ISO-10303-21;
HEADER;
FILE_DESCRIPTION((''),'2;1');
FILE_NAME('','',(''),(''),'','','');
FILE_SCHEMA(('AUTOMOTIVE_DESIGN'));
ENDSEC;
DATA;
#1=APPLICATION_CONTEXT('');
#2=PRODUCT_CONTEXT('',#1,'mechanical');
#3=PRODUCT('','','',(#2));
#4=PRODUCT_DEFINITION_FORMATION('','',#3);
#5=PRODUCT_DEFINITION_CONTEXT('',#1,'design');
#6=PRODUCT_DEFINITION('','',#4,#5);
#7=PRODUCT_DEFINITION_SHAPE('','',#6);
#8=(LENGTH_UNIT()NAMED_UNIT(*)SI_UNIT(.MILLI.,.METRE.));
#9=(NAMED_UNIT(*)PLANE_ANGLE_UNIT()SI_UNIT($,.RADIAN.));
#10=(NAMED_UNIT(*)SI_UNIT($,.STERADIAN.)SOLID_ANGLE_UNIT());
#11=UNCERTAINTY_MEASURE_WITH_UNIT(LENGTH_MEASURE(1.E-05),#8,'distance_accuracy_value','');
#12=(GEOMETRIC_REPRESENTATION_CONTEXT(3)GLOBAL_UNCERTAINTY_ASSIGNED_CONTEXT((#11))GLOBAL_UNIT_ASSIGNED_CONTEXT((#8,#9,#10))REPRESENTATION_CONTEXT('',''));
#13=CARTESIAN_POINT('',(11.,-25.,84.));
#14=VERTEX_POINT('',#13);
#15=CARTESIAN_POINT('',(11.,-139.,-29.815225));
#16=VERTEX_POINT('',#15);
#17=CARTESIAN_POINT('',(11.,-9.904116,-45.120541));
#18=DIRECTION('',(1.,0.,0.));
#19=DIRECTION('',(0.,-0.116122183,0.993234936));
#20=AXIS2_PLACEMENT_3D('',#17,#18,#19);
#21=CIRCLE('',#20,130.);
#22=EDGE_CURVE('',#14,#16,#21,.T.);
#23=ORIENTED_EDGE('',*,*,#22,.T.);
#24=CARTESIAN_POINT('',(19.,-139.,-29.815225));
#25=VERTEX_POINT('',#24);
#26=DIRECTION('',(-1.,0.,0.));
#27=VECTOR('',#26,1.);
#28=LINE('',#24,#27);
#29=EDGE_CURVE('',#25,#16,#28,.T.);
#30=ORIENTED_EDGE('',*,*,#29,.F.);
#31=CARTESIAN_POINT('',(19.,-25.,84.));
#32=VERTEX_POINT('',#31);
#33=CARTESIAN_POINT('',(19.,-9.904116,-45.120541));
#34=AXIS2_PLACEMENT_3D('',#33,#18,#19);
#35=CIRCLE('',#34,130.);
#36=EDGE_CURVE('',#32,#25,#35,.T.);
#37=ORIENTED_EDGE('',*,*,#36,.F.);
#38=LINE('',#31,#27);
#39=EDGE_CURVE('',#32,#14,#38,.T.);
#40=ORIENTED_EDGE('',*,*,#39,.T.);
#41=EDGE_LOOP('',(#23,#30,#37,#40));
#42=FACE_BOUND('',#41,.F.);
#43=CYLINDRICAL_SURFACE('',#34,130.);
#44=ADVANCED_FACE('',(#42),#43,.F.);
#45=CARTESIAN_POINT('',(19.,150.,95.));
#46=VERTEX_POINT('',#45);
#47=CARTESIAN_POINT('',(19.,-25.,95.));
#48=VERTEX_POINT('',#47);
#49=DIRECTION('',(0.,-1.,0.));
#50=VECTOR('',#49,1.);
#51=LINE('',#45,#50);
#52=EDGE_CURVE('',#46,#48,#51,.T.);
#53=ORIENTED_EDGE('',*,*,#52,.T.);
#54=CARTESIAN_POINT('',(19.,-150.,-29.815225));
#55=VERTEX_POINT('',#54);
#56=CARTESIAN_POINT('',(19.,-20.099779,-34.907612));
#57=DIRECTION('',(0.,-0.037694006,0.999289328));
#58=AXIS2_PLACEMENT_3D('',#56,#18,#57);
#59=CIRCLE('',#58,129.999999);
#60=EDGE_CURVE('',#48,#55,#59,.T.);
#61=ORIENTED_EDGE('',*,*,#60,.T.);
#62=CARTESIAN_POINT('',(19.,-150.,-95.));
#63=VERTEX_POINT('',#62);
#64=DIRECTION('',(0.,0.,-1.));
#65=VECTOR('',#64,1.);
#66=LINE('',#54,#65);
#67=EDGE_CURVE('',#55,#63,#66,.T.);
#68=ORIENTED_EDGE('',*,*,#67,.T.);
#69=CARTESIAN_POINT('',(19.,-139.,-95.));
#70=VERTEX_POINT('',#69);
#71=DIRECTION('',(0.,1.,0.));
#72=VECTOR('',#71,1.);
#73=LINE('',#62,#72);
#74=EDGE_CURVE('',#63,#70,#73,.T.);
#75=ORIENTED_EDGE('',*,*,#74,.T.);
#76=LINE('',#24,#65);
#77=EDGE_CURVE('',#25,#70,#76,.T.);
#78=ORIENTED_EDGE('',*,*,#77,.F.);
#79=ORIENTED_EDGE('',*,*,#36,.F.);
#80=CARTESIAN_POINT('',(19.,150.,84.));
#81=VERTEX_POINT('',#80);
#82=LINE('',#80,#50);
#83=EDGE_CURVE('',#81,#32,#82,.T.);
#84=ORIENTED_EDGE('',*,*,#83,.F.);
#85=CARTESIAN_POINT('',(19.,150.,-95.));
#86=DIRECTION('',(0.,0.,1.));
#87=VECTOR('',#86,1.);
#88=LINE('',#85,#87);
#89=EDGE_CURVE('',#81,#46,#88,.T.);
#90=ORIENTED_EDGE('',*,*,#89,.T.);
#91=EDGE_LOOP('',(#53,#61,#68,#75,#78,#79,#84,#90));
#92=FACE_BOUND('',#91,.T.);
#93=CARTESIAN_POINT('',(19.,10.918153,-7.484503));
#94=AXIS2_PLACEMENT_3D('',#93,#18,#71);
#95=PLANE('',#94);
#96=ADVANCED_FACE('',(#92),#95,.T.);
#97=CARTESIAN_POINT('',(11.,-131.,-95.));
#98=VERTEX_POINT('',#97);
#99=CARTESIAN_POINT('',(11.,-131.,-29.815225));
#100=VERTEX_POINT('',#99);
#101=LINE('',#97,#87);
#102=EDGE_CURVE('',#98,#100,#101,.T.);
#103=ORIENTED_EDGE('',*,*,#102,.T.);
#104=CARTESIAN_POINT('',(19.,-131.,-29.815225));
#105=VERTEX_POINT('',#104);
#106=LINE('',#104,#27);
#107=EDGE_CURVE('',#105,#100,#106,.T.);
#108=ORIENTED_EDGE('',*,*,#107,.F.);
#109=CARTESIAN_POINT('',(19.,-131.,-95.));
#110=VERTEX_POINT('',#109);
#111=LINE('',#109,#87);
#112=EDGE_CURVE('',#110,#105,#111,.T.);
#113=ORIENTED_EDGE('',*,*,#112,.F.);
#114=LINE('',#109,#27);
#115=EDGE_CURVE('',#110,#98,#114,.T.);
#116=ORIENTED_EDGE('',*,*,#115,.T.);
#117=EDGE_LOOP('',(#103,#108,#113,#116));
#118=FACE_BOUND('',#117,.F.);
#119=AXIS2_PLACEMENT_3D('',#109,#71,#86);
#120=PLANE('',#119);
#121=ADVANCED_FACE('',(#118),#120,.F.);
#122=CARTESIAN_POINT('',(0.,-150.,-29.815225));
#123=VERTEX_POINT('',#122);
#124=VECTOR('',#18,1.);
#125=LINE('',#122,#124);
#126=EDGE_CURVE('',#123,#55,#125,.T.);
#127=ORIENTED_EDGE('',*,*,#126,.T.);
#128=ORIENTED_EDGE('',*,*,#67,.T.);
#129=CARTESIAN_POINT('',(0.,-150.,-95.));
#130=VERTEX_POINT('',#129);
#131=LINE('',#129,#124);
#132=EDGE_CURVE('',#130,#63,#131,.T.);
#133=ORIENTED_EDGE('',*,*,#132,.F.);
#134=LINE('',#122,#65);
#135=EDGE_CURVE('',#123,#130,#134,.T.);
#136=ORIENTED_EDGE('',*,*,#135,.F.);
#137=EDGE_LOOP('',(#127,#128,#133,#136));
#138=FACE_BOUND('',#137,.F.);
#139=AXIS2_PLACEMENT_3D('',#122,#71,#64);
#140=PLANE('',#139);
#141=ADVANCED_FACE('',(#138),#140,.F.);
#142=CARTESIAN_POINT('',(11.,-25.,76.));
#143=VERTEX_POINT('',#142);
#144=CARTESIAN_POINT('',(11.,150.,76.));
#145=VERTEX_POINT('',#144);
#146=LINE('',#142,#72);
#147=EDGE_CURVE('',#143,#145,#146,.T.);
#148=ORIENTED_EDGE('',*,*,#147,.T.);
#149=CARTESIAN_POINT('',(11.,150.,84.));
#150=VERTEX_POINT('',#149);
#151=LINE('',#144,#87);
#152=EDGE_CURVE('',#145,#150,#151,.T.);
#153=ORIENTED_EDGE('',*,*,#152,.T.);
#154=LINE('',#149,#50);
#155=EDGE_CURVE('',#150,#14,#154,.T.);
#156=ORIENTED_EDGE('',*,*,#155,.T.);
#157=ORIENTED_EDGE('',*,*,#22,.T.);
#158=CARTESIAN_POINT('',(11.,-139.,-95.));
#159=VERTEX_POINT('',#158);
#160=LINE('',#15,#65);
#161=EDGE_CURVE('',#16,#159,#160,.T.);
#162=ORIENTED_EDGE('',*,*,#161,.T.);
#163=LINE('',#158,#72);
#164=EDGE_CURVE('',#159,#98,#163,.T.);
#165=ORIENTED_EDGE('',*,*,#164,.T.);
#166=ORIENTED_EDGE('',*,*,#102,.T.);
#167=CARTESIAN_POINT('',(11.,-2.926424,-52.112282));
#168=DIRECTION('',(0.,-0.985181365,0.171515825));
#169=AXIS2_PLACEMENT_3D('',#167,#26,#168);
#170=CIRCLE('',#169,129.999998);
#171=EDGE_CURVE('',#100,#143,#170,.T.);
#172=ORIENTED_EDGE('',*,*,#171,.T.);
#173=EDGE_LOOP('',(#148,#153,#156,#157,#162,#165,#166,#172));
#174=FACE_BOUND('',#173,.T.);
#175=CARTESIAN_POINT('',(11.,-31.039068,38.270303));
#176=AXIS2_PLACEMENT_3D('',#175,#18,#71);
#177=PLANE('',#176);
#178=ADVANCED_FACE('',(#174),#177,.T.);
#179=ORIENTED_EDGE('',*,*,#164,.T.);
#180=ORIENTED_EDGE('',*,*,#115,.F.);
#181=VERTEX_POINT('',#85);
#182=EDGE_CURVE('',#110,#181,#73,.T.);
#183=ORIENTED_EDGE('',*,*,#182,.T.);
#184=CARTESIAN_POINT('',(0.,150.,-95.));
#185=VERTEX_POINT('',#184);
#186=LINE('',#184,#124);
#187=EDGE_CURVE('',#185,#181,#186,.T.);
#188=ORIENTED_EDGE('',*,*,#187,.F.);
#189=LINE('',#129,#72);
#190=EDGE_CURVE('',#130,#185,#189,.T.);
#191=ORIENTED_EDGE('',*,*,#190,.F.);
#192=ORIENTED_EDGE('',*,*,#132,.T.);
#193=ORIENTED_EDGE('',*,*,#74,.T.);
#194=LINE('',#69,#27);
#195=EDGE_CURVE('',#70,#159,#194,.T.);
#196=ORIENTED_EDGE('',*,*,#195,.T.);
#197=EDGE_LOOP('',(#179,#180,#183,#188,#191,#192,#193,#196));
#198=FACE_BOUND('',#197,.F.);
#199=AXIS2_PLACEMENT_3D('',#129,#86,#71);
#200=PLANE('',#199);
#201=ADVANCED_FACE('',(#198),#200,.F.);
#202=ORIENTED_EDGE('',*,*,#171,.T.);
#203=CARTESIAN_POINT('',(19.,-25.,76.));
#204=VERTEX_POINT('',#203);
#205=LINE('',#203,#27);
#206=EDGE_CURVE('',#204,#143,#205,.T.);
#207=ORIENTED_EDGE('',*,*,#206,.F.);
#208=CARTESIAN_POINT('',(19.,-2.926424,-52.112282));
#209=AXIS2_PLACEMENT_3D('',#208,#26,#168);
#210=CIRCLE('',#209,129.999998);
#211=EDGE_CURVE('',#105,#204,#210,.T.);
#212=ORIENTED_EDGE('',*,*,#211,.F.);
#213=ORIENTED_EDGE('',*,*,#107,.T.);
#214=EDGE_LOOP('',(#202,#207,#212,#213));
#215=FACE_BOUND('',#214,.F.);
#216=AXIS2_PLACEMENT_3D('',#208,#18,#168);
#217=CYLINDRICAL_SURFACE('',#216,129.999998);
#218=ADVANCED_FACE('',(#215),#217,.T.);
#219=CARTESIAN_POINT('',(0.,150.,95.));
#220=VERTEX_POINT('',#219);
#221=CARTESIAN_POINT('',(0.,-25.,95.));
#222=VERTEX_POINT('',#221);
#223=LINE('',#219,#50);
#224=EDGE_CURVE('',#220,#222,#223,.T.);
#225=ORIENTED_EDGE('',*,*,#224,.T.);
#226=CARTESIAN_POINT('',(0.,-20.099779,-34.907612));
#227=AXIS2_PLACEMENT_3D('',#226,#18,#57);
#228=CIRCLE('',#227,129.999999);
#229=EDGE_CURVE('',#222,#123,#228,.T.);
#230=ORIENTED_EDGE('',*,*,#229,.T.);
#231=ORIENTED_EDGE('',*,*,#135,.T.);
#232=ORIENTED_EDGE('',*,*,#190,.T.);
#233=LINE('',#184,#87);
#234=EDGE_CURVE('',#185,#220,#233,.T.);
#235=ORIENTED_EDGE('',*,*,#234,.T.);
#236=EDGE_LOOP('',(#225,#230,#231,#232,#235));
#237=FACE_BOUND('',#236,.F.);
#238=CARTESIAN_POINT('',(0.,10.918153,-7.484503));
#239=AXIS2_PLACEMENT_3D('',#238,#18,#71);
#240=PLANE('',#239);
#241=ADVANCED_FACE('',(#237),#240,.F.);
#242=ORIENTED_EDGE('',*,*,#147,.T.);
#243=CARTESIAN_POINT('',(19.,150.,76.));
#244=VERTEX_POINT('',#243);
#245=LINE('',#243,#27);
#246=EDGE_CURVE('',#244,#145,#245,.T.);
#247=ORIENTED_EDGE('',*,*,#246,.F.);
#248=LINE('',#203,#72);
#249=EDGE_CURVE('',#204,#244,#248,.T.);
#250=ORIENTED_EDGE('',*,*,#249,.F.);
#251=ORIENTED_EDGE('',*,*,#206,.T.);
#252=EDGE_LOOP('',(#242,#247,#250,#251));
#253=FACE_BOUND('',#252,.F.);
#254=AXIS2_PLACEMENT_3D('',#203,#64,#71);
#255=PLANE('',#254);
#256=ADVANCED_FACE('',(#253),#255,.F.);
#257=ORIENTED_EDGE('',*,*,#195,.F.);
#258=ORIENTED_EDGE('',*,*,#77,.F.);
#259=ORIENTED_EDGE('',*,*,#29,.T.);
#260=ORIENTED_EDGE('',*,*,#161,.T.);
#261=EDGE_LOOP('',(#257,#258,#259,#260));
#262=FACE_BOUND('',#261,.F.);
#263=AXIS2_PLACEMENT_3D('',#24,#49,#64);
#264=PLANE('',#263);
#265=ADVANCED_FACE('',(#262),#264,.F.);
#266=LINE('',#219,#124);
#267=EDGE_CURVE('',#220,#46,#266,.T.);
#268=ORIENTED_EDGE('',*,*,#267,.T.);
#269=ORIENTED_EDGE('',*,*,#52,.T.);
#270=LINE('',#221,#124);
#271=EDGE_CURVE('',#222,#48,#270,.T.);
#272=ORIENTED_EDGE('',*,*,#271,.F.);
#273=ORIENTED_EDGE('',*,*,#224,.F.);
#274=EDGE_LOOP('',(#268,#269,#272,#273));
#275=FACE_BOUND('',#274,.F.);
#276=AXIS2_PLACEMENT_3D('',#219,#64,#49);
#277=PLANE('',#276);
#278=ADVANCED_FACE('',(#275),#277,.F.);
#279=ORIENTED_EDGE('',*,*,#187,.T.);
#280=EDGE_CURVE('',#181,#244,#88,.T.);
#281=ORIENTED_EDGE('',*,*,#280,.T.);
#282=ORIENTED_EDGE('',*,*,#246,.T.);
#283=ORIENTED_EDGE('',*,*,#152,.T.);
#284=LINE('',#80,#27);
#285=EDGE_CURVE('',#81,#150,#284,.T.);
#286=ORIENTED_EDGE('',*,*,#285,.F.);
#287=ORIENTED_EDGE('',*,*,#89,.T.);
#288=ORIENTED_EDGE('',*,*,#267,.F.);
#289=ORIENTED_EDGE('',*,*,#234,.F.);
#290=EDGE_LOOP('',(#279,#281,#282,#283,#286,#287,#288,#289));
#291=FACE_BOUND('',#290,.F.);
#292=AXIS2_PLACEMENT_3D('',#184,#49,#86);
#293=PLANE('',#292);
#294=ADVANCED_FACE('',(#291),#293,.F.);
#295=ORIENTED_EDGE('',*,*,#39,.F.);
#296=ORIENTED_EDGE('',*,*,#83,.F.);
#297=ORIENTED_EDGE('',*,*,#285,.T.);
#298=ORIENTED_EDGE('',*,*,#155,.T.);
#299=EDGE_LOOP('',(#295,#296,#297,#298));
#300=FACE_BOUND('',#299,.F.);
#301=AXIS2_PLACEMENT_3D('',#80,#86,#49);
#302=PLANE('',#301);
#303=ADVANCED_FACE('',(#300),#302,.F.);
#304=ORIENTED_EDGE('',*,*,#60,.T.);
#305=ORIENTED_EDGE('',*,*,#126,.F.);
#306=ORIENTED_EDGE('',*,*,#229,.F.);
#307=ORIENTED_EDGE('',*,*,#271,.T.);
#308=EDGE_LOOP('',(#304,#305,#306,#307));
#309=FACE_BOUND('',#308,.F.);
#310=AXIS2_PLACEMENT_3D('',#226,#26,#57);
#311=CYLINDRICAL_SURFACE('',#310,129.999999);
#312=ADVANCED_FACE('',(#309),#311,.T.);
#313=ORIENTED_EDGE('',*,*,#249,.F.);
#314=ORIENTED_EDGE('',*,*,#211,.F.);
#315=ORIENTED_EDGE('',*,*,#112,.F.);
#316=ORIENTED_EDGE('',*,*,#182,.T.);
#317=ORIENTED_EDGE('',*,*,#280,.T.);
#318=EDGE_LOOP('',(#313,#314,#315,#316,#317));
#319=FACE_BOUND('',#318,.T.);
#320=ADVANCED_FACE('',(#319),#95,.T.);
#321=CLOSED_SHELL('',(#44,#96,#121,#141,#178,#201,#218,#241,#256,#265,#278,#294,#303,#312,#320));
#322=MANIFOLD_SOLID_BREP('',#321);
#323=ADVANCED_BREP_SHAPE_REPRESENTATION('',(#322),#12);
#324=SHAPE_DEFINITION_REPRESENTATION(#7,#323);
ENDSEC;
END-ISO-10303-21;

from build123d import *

# Parameters (mm, degrees)
F1_DEPTH = 19
F3_DEPTH = 8


with BuildPart() as f1:
    # F0 (on Right) → F1 (new body)
    with BuildSketch(Plane.YZ):
        with BuildLine():
            Line((150, 95), (-25, 95))
            ThreePointArc((-25, 95), (-111.955644, 57.084235), (-150, -29.815225))
            Line((-150, -29.815225), (-150, -40))
            Line((-150, -40), (-150, -95))
            Line((-150, -95), (150, -95))
            Line((150, -95), (150, 95))
        make_face()
    extrude(amount=F1_DEPTH)

    # F2 (on face) → F3 (cut)
    with BuildSketch(Plane.YZ.offset(19)):
        with BuildLine():
            Line((150, 76), (150, 84))
            Line((150, 84), (-25, 84))
            ThreePointArc((-25, 84), (-101.75341, 46.877867), (-139, -29.815225))
            Line((-139, -29.815225), (-139, -95))
            Line((-139, -95), (-131, -95))
            Line((-131, -95), (-131, -29.815225))
            ThreePointArc((-131, -29.815225), (-94.770081, 39.891752), (-25, 76))
            Line((-25, 76), (150, 76))
        make_face()
    extrude(amount=-F3_DEPTH, mode=Mode.SUBTRACT)


solid = f1.part
